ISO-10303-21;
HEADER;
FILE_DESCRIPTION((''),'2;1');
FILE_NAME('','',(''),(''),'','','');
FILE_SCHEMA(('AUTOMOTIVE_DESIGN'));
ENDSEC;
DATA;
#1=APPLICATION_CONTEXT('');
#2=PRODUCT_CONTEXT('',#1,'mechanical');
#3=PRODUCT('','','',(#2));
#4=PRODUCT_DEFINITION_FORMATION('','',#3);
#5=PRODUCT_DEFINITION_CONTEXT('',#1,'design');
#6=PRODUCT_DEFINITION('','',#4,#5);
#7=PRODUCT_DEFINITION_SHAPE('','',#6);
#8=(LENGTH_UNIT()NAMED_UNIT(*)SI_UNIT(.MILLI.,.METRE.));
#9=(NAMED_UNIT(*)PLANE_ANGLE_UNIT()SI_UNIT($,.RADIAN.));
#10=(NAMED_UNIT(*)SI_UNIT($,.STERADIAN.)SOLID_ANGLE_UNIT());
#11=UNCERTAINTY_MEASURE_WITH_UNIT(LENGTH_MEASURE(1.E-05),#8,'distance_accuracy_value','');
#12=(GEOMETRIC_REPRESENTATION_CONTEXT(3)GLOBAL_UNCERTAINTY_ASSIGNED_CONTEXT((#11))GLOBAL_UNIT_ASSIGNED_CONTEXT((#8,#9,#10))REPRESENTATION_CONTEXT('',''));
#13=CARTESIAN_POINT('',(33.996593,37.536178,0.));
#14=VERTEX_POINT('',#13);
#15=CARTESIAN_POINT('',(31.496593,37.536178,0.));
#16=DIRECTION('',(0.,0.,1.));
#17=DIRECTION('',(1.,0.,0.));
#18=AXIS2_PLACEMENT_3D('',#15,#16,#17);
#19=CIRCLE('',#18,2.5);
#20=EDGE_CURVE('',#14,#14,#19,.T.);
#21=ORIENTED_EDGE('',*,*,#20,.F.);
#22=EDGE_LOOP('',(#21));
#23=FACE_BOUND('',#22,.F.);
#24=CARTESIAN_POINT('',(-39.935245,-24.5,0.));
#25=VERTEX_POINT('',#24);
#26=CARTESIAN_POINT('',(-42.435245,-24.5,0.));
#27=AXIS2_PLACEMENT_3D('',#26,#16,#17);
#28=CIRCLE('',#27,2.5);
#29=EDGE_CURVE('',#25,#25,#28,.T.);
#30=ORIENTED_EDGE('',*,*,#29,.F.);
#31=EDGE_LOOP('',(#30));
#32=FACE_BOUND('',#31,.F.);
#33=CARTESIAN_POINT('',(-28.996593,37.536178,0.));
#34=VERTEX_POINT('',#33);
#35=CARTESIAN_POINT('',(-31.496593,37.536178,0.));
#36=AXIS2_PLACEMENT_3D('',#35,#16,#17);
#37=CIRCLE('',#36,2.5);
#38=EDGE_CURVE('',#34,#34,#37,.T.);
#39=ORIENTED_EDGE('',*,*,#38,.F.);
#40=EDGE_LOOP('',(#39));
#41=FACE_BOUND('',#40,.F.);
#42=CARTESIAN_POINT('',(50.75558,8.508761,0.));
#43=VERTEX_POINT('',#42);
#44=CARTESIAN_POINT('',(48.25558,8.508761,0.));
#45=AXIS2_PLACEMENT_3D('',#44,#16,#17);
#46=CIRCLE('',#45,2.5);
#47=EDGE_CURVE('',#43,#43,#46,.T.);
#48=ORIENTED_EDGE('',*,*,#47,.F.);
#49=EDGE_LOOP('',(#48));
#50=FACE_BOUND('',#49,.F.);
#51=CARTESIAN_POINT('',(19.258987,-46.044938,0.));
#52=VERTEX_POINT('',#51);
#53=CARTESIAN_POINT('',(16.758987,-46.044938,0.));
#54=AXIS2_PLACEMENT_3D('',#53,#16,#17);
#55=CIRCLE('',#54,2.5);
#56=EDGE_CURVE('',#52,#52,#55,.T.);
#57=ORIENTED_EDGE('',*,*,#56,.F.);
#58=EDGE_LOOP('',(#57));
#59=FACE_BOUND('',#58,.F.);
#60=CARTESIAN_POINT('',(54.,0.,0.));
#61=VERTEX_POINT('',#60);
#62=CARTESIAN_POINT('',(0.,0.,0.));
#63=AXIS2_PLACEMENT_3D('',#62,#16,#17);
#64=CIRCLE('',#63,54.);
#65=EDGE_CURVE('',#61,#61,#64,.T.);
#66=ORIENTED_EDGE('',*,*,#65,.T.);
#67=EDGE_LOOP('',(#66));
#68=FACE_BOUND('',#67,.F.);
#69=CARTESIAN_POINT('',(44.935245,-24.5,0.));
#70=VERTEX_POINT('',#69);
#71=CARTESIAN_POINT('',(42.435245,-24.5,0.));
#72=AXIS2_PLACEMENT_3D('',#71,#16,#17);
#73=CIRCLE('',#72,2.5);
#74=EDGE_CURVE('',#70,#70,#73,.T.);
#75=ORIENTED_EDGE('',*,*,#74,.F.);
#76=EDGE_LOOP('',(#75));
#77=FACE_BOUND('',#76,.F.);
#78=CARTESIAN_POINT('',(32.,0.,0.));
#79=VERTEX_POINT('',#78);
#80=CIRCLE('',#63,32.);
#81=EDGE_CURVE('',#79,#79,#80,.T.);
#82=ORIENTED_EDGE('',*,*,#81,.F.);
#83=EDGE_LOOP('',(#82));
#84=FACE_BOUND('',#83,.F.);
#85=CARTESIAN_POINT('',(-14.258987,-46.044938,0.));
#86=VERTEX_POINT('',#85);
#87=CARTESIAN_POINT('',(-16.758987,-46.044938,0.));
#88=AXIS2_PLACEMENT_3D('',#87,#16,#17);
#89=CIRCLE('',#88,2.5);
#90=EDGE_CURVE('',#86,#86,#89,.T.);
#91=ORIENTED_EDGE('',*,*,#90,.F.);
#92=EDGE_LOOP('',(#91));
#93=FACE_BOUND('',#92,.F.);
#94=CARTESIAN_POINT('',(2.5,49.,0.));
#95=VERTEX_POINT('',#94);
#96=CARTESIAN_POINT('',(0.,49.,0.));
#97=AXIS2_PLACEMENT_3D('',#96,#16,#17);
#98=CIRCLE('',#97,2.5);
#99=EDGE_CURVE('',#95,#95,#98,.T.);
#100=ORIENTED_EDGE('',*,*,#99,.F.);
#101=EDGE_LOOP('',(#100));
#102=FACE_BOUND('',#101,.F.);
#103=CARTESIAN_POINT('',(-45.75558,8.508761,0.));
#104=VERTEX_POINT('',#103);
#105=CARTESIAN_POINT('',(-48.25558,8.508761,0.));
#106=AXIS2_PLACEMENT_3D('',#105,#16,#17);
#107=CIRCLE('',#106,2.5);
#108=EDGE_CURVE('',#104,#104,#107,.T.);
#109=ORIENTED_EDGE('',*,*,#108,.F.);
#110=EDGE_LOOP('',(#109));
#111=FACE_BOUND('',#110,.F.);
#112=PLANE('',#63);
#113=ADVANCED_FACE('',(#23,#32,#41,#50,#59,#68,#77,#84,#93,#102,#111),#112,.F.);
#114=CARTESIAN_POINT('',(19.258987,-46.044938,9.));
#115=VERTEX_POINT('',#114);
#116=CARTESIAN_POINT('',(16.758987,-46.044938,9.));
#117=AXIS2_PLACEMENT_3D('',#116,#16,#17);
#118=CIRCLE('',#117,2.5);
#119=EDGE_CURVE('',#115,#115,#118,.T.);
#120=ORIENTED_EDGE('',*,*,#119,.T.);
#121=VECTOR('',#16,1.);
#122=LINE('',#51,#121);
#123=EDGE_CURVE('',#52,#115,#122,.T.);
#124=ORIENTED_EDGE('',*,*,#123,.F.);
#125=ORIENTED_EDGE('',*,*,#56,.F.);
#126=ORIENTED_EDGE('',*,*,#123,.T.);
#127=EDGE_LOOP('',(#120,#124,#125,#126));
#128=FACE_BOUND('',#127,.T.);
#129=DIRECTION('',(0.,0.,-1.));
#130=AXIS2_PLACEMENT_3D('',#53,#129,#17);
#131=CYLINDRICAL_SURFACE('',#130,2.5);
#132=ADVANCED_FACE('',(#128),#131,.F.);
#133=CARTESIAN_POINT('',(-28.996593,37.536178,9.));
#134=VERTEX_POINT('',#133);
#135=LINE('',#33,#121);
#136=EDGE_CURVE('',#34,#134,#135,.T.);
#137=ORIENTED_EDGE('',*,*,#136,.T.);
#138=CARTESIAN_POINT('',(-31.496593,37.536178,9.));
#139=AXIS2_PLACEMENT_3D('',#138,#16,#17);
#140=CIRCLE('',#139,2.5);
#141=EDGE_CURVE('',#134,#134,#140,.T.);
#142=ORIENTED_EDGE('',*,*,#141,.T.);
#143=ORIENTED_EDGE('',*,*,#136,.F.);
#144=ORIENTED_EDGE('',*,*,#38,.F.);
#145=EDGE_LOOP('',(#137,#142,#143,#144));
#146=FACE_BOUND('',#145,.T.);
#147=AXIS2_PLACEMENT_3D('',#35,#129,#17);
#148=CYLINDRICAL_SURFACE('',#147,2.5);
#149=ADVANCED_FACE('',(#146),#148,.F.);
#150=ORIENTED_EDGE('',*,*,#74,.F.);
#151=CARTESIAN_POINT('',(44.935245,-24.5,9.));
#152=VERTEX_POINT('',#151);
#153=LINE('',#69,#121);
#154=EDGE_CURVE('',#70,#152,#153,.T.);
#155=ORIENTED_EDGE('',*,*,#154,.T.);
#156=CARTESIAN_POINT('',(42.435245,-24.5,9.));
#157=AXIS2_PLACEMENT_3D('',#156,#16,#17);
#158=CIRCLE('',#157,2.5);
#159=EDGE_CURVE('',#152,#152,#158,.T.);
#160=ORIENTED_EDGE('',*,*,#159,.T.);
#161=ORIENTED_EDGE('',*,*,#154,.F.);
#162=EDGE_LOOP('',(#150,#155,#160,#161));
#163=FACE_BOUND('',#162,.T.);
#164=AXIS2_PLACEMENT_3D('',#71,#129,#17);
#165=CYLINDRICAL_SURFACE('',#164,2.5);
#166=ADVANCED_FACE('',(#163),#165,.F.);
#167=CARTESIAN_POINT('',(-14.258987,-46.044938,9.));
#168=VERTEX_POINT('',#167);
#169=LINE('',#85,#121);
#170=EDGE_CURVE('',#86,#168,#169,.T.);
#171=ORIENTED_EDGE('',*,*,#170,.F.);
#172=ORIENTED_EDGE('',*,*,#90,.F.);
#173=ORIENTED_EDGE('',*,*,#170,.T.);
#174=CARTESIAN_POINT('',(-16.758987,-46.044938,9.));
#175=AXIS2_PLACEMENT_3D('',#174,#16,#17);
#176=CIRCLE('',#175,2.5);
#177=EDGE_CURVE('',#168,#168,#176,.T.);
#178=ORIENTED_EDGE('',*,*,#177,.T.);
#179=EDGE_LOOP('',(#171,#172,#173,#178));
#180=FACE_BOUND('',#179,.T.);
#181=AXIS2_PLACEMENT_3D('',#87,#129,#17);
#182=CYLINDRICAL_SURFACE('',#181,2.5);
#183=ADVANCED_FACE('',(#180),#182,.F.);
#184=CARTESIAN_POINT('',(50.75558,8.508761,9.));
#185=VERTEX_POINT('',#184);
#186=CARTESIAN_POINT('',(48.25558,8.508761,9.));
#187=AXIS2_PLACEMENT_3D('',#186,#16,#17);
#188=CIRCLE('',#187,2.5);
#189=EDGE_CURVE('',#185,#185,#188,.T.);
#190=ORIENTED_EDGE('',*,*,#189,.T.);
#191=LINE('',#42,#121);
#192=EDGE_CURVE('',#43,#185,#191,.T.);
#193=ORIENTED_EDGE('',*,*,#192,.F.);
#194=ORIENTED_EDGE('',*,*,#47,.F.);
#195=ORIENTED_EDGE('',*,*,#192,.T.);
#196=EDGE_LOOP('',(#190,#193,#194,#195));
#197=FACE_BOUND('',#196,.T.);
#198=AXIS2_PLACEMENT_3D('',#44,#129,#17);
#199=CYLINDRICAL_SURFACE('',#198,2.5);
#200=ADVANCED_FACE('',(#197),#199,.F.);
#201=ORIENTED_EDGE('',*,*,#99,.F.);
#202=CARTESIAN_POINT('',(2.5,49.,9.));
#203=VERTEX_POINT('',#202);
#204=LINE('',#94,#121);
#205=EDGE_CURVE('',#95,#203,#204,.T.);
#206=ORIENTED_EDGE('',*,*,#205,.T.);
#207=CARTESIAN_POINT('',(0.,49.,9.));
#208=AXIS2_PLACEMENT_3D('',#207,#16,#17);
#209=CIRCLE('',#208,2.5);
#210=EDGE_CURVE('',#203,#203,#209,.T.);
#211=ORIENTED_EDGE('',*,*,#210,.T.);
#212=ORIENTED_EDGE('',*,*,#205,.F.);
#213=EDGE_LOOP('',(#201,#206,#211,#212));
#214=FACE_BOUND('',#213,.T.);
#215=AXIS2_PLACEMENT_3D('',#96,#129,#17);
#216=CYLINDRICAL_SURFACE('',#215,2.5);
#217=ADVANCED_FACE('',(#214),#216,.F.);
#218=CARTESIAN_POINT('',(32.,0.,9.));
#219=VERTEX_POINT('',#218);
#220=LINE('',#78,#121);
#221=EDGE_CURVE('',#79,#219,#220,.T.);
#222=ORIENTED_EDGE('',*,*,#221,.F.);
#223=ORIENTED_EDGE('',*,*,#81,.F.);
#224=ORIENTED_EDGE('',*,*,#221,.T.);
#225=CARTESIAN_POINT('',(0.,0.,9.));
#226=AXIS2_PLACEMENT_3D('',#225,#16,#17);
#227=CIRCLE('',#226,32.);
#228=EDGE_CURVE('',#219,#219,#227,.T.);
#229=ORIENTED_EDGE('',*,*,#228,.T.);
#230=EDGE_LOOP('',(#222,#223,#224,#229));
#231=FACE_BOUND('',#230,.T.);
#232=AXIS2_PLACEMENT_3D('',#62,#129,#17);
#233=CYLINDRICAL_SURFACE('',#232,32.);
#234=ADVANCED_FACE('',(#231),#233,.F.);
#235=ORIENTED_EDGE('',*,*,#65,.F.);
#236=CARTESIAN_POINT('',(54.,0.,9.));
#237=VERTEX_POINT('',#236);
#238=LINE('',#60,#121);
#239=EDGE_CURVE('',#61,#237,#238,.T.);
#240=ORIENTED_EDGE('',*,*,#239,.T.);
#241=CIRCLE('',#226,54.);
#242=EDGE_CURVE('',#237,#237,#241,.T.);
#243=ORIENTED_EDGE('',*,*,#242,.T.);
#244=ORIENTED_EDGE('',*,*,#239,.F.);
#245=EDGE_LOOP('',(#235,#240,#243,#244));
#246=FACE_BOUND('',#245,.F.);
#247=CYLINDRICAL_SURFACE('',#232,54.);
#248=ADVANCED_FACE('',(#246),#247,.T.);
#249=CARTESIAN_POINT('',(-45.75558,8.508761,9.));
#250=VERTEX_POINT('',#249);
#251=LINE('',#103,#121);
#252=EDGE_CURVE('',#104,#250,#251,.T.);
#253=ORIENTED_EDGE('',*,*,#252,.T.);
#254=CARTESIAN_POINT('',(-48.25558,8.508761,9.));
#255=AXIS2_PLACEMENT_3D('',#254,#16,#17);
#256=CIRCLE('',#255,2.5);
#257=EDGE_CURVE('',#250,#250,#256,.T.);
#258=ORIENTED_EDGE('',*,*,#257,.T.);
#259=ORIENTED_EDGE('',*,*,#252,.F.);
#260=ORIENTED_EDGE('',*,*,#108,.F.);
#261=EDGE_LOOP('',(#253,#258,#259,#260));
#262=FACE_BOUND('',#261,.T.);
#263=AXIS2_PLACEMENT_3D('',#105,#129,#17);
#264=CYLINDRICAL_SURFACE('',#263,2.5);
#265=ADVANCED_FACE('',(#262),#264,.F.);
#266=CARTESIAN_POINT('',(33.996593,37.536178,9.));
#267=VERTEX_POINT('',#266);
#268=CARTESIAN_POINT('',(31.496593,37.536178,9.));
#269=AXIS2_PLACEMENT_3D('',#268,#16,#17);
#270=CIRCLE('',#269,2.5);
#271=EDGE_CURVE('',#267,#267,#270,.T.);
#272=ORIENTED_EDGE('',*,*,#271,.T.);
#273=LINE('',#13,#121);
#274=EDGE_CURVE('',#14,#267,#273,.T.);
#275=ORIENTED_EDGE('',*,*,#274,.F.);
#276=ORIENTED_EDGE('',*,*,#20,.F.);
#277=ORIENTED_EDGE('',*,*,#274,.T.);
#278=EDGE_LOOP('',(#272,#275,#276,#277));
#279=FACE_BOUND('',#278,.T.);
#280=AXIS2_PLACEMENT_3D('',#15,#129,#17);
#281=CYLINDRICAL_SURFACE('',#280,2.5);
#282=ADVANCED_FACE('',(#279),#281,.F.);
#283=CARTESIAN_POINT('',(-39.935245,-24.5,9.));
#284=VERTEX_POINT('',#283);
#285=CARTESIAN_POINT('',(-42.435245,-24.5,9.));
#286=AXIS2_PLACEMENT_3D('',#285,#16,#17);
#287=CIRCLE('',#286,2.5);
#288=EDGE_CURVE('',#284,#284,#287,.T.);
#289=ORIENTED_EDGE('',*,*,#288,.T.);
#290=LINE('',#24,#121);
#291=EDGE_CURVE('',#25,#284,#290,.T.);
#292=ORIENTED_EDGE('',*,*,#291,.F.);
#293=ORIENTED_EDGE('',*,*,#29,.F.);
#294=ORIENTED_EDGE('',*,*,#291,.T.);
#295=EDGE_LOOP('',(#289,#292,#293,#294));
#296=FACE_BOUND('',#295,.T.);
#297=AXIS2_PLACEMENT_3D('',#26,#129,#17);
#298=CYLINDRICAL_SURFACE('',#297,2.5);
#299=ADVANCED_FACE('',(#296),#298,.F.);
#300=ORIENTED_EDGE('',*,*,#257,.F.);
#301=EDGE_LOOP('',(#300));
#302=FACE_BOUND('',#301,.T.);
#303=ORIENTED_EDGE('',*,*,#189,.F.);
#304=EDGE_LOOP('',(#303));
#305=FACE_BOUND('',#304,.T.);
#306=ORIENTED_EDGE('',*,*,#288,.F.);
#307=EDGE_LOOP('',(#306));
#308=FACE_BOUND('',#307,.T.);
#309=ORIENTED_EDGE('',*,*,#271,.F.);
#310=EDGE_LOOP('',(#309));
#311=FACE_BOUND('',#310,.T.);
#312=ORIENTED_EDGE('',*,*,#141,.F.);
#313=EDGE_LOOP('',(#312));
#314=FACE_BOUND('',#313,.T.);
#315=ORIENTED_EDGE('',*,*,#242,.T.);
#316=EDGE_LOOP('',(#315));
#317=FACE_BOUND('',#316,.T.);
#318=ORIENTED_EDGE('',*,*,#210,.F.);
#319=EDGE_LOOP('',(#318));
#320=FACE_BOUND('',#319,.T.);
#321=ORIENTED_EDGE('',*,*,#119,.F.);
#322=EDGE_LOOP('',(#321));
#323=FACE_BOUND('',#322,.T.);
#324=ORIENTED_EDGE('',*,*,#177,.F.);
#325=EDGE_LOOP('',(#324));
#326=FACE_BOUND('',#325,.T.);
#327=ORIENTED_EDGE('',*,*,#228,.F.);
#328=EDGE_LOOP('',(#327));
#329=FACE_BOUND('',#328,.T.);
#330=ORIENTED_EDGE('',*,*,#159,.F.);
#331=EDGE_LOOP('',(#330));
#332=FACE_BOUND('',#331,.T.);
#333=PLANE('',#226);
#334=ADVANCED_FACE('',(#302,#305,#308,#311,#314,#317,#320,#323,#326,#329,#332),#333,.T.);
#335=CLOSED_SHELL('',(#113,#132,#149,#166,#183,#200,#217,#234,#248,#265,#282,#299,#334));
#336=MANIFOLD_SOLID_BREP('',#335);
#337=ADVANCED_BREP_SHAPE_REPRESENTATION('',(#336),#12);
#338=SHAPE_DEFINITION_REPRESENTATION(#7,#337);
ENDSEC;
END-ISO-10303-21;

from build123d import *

# Parameters (mm, degrees)
SKETCH_R   = 54
SKETCH_R_2 = 32
SKETCH_R_3 = 2.5
PAD_DEPTH  = 9


with BuildPart() as part:
    # Sketch → Pad (new body)
    with BuildSketch(Plane.XY):
        Circle(SKETCH_R)
        Circle(SKETCH_R_2, mode=Mode.SUBTRACT)
        with Locations((31.496593, 37.536178)):
            Circle(SKETCH_R_3, mode=Mode.SUBTRACT)
        with Locations((48.25558, 8.508761)):
            Circle(SKETCH_R_3, mode=Mode.SUBTRACT)
        with Locations((42.435245, -24.5)):
            Circle(SKETCH_R_3, mode=Mode.SUBTRACT)
        with Locations((16.758987, -46.044938)):
            Circle(SKETCH_R_3, mode=Mode.SUBTRACT)
        with Locations((-16.758987, -46.044938)):
            Circle(SKETCH_R_3, mode=Mode.SUBTRACT)
        with Locations((-42.435245, -24.5)):
            Circle(SKETCH_R_3, mode=Mode.SUBTRACT)
        with Locations((-48.25558, 8.508761)):
            Circle(SKETCH_R_3, mode=Mode.SUBTRACT)
        with Locations((-31.496593, 37.536178)):
            Circle(SKETCH_R_3, mode=Mode.SUBTRACT)
        with Locations((0, 49)):
            Circle(SKETCH_R_3, mode=Mode.SUBTRACT)
    extrude(amount=PAD_DEPTH)


solid = part.part
